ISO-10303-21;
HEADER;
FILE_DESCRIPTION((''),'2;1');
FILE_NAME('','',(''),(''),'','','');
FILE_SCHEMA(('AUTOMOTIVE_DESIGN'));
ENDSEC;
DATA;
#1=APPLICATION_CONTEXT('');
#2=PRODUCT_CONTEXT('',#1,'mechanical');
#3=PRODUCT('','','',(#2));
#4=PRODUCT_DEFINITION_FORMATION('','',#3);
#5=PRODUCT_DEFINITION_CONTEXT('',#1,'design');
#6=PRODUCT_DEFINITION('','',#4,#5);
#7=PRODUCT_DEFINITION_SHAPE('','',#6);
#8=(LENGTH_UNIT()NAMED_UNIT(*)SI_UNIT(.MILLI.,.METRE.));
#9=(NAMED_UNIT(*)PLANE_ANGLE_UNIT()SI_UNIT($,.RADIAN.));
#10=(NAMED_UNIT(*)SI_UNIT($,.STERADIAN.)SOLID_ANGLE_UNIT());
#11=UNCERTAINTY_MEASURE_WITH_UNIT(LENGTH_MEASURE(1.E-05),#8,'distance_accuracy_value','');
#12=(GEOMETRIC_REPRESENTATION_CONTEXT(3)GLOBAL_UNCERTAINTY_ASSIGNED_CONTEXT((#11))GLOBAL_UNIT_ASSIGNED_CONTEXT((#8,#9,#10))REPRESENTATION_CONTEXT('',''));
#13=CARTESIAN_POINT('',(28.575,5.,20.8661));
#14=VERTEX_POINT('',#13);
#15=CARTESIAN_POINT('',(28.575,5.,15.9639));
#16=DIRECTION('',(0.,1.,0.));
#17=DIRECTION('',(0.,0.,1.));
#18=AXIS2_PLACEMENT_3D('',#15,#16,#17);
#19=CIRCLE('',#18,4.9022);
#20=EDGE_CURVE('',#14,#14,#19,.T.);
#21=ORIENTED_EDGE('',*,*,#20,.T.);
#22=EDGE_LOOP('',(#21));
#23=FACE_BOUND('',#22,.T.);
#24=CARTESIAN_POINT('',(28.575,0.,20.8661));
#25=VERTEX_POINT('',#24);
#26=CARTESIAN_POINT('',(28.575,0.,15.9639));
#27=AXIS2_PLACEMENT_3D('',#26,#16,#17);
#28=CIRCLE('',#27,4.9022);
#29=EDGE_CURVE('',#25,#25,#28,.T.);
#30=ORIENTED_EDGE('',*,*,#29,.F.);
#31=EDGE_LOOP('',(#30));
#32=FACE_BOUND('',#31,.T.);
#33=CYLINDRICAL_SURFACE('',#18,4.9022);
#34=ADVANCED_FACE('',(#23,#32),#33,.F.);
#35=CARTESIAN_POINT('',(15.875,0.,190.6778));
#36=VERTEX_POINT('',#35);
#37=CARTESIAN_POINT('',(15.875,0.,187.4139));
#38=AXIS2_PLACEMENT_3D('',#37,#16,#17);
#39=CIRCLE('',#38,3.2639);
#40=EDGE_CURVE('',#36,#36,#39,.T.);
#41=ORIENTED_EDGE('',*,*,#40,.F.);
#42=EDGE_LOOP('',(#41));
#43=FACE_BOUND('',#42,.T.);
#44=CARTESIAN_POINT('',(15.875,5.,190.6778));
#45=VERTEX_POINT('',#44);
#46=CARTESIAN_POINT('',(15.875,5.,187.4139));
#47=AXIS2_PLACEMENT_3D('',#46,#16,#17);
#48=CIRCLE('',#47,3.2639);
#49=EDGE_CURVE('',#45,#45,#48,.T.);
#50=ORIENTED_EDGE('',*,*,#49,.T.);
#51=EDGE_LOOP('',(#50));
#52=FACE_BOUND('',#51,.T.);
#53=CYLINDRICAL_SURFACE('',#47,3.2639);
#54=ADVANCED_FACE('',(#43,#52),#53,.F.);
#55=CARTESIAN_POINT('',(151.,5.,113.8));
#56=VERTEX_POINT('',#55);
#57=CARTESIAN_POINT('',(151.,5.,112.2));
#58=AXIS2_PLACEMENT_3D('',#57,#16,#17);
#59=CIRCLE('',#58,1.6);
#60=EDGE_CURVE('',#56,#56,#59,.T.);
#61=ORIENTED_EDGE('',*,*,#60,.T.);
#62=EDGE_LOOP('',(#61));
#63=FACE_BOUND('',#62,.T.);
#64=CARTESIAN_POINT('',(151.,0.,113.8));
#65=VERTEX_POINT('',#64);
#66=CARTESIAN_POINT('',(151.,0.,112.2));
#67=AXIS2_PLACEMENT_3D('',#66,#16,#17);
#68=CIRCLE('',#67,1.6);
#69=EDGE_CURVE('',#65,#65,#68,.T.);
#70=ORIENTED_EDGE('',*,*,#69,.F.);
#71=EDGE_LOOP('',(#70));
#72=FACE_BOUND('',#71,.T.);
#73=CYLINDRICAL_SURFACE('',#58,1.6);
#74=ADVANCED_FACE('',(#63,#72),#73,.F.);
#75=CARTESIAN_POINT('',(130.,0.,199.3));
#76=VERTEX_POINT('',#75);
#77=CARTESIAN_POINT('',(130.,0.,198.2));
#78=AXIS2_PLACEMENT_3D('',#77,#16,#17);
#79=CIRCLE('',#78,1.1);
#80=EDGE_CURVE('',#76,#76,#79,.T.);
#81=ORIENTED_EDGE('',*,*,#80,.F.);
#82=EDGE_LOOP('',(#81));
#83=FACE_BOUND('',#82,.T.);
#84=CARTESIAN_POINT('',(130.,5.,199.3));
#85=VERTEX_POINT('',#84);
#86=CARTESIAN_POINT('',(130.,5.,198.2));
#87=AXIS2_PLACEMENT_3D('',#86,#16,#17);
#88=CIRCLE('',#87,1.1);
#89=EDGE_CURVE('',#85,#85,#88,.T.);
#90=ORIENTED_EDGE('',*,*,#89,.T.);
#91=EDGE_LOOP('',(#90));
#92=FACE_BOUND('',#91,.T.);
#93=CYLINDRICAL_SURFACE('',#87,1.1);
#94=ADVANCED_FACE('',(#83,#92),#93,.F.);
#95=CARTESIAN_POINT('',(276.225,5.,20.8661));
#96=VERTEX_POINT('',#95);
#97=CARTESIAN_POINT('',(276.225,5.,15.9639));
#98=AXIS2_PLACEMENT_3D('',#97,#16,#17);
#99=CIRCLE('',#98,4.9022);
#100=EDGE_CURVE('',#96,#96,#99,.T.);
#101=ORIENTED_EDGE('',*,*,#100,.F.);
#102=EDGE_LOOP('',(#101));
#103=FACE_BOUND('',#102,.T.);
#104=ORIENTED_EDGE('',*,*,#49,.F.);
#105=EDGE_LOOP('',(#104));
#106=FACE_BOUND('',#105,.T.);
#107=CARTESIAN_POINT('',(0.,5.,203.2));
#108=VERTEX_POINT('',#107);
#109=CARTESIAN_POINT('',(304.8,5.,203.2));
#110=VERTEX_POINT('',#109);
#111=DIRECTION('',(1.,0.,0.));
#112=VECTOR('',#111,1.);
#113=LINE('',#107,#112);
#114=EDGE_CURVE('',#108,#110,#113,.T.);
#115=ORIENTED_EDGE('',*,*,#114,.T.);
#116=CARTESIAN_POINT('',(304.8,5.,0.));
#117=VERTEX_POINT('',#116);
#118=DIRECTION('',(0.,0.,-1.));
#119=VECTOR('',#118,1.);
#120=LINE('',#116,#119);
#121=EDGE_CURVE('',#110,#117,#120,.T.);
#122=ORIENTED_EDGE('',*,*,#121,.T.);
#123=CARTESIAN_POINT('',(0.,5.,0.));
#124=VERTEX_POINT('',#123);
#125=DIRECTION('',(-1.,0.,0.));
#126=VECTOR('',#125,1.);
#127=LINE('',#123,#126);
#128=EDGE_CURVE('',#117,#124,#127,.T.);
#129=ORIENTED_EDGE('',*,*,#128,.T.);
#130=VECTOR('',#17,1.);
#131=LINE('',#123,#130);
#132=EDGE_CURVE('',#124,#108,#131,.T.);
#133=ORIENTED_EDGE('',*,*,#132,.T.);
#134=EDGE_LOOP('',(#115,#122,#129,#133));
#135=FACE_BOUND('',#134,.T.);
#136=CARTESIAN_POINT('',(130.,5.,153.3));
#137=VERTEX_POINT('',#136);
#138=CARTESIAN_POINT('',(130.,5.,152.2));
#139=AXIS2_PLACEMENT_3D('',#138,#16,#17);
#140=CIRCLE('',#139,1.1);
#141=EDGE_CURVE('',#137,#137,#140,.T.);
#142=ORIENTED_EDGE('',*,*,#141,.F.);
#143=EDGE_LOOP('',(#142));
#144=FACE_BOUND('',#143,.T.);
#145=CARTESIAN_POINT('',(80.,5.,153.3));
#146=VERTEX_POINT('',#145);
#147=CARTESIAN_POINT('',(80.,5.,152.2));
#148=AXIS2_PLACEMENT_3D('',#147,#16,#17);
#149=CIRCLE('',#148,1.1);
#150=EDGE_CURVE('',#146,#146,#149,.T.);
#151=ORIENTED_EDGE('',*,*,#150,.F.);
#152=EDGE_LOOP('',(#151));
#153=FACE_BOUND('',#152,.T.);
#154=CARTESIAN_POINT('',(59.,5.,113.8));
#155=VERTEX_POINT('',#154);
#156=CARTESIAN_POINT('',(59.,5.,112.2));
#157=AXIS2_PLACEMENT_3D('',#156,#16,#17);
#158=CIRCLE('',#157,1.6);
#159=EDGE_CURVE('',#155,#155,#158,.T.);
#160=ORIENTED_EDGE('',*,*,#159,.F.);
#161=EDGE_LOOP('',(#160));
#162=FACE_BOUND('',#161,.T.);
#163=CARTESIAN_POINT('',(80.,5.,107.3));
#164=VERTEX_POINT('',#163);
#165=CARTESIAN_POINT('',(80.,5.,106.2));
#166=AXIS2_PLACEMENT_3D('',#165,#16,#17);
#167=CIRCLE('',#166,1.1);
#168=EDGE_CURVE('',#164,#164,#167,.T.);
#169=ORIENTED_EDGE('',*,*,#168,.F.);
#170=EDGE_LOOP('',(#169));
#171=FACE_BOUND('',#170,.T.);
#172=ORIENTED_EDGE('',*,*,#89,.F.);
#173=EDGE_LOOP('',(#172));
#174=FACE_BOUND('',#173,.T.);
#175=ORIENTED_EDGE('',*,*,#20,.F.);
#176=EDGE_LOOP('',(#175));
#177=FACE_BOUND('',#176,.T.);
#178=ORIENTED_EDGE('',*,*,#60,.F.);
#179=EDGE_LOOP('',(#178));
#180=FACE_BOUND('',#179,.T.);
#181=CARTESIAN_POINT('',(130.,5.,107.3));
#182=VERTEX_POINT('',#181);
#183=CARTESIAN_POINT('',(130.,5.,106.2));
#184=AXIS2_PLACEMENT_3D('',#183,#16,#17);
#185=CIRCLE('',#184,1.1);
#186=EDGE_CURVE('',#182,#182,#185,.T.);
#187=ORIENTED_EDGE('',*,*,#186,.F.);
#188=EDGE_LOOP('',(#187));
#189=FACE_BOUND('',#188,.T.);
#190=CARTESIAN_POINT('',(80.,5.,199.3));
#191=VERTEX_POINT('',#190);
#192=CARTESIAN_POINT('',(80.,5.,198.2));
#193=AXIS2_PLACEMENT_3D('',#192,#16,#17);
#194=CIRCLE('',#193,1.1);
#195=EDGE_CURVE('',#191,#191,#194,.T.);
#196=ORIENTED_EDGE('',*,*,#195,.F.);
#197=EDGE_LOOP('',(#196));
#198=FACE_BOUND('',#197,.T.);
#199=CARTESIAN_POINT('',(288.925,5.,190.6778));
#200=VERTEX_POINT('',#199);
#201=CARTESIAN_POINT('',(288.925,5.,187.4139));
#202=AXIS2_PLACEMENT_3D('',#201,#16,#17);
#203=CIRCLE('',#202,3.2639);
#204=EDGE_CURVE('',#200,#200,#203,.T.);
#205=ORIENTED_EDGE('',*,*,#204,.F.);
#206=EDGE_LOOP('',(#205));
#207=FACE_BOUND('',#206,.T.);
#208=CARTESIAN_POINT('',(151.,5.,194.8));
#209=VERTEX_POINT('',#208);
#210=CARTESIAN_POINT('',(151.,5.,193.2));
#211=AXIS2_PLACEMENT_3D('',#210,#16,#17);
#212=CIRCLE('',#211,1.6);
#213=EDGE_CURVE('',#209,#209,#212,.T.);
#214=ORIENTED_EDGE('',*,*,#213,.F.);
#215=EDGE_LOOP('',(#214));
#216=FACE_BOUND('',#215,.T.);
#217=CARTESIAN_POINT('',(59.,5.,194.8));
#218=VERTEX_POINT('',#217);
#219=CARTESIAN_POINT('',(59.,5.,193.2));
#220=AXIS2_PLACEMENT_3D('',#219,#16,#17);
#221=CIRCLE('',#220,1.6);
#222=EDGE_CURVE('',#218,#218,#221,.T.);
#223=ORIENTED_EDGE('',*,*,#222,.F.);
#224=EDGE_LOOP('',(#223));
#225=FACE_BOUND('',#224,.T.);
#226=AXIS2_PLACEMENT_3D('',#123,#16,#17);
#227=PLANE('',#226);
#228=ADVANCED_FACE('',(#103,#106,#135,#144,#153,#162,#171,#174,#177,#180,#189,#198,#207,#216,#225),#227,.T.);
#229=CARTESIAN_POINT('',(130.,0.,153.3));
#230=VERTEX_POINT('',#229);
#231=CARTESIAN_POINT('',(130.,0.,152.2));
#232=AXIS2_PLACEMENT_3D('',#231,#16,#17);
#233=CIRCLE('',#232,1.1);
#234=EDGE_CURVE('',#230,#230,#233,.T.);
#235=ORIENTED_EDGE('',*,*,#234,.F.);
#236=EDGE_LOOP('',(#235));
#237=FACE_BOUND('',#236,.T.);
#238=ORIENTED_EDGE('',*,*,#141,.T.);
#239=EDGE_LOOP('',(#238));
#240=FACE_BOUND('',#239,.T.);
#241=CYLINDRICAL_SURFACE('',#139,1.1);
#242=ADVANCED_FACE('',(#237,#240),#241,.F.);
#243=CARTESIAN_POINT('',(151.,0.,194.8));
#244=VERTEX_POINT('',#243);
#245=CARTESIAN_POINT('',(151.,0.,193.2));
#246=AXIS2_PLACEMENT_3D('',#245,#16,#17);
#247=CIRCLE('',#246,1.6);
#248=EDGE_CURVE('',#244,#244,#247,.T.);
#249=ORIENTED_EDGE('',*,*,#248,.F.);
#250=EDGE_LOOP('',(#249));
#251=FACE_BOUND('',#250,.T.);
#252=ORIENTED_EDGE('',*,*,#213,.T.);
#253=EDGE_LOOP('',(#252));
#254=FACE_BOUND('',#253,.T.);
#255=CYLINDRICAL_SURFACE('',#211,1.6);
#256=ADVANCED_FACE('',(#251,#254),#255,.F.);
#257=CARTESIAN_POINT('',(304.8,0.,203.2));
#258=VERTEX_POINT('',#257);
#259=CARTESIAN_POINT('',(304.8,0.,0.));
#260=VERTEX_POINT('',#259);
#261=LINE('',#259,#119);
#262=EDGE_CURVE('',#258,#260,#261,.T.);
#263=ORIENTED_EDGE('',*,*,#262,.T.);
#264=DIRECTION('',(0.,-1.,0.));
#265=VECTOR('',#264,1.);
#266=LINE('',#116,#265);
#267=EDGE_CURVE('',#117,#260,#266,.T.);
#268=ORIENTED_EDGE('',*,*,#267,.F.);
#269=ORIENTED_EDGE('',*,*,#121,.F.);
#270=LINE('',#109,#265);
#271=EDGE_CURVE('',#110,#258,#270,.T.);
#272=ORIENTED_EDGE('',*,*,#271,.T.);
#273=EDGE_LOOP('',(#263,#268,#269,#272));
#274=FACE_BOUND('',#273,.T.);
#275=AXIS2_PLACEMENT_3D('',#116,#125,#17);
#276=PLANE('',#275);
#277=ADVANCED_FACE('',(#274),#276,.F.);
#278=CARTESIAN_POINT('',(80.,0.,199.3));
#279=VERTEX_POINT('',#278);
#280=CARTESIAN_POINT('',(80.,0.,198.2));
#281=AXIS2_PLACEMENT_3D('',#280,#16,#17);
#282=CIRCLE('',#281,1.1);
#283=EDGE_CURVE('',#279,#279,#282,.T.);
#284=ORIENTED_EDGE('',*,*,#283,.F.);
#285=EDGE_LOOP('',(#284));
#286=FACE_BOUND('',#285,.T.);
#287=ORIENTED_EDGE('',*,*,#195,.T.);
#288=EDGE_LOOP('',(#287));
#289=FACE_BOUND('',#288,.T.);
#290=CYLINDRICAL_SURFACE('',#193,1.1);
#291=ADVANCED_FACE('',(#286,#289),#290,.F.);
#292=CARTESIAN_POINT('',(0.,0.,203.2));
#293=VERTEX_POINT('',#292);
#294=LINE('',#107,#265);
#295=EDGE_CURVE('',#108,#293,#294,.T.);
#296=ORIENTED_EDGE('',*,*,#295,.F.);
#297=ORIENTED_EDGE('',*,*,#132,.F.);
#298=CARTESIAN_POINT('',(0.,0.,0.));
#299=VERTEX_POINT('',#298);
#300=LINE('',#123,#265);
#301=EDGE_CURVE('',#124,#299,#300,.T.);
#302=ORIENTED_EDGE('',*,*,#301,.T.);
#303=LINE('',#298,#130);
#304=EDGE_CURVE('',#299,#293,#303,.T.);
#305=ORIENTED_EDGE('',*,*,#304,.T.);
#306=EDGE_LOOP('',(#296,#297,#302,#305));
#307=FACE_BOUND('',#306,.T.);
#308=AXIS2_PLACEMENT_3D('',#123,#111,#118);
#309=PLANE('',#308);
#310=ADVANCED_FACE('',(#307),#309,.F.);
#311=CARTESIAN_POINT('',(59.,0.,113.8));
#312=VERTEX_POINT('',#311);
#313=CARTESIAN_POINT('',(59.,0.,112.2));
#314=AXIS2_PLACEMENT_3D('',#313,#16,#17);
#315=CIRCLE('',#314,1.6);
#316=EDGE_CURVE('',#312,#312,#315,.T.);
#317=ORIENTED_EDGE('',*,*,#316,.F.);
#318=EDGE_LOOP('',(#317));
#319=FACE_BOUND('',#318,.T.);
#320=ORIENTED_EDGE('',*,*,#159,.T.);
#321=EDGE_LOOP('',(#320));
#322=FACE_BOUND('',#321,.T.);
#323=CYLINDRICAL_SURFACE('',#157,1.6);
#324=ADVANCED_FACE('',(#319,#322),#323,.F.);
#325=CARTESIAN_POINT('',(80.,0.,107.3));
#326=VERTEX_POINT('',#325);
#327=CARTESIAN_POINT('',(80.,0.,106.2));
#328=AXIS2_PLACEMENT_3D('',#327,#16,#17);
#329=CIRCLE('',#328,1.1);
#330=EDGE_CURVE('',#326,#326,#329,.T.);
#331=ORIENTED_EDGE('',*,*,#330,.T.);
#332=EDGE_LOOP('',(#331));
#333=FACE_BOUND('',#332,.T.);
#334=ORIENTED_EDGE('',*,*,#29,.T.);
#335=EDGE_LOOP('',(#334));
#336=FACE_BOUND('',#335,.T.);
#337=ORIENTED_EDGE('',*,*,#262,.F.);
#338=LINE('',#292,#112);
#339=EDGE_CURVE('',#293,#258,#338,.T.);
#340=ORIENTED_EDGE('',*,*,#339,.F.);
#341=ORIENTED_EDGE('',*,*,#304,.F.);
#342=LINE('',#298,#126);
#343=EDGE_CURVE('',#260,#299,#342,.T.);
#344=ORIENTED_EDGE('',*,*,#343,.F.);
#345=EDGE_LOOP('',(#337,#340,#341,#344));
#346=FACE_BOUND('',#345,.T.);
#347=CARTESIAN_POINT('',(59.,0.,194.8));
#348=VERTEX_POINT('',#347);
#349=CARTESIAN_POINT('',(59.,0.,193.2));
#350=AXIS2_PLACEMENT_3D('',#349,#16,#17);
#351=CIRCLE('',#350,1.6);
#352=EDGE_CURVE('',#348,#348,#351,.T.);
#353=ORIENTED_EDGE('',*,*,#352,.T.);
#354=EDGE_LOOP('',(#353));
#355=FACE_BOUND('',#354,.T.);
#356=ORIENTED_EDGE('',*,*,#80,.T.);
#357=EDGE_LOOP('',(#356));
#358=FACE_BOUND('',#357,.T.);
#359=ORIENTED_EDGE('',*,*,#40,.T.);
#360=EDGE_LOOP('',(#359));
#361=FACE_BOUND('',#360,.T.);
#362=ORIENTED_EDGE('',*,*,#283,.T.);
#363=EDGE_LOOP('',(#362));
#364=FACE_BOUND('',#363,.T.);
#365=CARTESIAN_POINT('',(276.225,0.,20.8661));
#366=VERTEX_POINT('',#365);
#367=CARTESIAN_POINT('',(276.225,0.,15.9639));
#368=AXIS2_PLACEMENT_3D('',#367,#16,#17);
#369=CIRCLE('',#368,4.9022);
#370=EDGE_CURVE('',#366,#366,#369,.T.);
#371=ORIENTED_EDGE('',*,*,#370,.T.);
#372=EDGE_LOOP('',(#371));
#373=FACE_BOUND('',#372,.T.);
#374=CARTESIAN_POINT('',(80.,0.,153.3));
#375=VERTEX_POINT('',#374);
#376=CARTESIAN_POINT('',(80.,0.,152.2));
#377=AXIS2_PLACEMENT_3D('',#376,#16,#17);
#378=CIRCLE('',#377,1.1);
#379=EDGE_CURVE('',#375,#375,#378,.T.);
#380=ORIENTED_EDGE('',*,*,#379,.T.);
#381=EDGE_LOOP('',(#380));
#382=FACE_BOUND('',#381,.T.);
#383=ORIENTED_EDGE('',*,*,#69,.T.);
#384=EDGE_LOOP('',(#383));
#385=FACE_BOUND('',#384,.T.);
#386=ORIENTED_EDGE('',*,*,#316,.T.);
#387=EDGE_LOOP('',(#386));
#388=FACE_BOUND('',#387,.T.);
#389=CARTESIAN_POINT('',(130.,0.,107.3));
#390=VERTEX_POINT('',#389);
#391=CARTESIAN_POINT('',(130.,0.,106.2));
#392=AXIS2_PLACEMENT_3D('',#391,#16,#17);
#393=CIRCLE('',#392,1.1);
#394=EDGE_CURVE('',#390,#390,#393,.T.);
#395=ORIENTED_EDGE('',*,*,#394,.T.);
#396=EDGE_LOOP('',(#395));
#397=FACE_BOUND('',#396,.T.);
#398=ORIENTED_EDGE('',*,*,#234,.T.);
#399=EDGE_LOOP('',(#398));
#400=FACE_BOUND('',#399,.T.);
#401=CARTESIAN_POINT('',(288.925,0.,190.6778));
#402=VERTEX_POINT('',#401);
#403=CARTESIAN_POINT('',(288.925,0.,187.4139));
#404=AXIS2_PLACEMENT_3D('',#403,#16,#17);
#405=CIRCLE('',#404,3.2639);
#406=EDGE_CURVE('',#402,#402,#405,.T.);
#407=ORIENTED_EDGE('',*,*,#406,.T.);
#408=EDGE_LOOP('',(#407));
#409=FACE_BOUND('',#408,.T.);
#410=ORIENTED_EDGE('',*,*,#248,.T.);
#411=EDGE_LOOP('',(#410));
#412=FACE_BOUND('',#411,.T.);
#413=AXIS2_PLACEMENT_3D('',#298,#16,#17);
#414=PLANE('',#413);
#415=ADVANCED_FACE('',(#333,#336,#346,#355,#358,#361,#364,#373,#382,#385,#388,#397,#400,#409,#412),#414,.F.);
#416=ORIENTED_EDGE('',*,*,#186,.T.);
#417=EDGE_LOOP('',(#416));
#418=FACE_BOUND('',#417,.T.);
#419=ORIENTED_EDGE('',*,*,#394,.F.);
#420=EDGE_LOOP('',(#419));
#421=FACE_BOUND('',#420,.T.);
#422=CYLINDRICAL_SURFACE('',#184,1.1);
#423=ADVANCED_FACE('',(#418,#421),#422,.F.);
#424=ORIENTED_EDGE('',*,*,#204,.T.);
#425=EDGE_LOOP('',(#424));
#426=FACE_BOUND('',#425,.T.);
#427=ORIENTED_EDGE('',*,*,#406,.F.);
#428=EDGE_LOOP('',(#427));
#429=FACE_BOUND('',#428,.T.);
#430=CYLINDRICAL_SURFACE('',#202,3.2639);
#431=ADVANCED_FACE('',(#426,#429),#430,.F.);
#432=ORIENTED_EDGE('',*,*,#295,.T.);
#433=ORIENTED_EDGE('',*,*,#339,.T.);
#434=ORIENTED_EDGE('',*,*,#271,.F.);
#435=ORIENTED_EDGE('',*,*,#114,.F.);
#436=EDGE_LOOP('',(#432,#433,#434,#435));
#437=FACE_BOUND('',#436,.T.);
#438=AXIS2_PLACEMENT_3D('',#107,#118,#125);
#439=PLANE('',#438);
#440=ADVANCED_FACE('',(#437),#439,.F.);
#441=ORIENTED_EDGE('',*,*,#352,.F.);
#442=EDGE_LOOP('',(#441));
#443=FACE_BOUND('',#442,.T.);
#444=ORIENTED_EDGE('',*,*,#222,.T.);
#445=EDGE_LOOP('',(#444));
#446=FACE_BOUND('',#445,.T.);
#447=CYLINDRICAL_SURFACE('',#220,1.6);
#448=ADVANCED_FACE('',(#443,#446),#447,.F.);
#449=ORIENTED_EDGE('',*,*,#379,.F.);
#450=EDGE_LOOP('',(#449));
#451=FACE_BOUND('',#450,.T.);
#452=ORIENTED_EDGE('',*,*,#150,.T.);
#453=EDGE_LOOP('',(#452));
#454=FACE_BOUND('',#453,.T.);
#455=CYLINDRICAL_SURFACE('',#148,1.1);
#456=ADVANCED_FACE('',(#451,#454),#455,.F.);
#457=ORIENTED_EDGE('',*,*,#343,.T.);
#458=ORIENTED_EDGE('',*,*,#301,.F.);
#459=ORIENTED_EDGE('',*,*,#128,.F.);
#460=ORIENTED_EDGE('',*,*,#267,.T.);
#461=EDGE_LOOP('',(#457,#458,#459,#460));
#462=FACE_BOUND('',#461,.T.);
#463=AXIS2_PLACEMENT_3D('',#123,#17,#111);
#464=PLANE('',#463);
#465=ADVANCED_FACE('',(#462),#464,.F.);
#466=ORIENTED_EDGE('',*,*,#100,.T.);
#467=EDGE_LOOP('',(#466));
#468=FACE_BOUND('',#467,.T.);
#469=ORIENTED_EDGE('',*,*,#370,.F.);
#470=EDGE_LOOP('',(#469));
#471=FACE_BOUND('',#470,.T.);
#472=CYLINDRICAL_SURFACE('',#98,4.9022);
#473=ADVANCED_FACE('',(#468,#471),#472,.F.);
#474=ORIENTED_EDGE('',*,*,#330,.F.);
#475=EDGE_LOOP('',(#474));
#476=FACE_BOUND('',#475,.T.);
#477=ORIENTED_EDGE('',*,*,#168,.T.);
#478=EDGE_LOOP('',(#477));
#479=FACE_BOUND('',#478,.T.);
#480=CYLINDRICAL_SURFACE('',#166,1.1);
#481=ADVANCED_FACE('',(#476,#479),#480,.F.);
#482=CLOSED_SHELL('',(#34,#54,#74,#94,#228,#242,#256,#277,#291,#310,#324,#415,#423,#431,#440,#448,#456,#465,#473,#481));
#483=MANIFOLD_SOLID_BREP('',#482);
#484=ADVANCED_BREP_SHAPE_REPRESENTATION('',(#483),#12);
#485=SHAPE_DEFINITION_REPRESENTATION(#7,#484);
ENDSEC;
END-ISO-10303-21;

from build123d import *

# Parameters (mm, degrees)
SKETCH1_W                       = 304.8
SKETCH1_H                       = 203.2
BOSS_EXTRUDE1_DEPTH             = 5
CLEARANCE_HOLES_FOR_LED_PANEL_D = 2.2
M3_CLEARANCE_HOLE1_D            = 3.2
F_1_4_CLEARANCE_HOLE1_D         = 6.5278
F_3_8_CLEARANCE_HOLE1_D         = 9.8044


with BuildPart() as part:
    # Sketch1 → Boss-Extrude1 (new body)
    with BuildSketch(Plane(origin=(0, 0, 0), x_dir=(1, 0, 0), z_dir=(0, 1, 0))):
        with Locations((152.4, -101.6)):
            Rectangle(SKETCH1_W, SKETCH1_H)
    extrude(amount=BOSS_EXTRUDE1_DEPTH)

    # clearance holes for led panel (through all)
    with Locations(Plane(origin=(0, 5, 0), x_dir=(1, 0, 0), z_dir=(0, 1, 0))):
        with Locations((80, -106.2), (130, -106.2), (130, -152.2), (80, -152.2), (80, -198.2), (130, -198.2)):
            Hole(CLEARANCE_HOLES_FOR_LED_PANEL_D / 2)

    # M3 Clearance Hole1 (through all)
    with Locations(Plane(origin=(0, 5, 0), x_dir=(1, 0, 0), z_dir=(0, 1, 0))):
        with Locations((59, -112.2), (151, -112.2), (151, -193.2), (59, -193.2)):
            Hole(M3_CLEARANCE_HOLE1_D / 2)

    # 1/4 Clearance Hole1 (through all)
    with Locations(Plane(origin=(0, 5, 0), x_dir=(1, 0, 0), z_dir=(0, 1, 0))):
        with Locations((15.875, -187.4139), (288.925, -187.4139)):
            Hole(F_1_4_CLEARANCE_HOLE1_D / 2)

    # 3/8 Clearance Hole1 (through all)
    with Locations(Plane(origin=(0, 5, 0), x_dir=(1, 0, 0), z_dir=(0, 1, 0))):
        with Locations((28.575, -15.9639), (276.225, -15.9639)):
            Hole(F_3_8_CLEARANCE_HOLE1_D / 2)


solid = part.part
